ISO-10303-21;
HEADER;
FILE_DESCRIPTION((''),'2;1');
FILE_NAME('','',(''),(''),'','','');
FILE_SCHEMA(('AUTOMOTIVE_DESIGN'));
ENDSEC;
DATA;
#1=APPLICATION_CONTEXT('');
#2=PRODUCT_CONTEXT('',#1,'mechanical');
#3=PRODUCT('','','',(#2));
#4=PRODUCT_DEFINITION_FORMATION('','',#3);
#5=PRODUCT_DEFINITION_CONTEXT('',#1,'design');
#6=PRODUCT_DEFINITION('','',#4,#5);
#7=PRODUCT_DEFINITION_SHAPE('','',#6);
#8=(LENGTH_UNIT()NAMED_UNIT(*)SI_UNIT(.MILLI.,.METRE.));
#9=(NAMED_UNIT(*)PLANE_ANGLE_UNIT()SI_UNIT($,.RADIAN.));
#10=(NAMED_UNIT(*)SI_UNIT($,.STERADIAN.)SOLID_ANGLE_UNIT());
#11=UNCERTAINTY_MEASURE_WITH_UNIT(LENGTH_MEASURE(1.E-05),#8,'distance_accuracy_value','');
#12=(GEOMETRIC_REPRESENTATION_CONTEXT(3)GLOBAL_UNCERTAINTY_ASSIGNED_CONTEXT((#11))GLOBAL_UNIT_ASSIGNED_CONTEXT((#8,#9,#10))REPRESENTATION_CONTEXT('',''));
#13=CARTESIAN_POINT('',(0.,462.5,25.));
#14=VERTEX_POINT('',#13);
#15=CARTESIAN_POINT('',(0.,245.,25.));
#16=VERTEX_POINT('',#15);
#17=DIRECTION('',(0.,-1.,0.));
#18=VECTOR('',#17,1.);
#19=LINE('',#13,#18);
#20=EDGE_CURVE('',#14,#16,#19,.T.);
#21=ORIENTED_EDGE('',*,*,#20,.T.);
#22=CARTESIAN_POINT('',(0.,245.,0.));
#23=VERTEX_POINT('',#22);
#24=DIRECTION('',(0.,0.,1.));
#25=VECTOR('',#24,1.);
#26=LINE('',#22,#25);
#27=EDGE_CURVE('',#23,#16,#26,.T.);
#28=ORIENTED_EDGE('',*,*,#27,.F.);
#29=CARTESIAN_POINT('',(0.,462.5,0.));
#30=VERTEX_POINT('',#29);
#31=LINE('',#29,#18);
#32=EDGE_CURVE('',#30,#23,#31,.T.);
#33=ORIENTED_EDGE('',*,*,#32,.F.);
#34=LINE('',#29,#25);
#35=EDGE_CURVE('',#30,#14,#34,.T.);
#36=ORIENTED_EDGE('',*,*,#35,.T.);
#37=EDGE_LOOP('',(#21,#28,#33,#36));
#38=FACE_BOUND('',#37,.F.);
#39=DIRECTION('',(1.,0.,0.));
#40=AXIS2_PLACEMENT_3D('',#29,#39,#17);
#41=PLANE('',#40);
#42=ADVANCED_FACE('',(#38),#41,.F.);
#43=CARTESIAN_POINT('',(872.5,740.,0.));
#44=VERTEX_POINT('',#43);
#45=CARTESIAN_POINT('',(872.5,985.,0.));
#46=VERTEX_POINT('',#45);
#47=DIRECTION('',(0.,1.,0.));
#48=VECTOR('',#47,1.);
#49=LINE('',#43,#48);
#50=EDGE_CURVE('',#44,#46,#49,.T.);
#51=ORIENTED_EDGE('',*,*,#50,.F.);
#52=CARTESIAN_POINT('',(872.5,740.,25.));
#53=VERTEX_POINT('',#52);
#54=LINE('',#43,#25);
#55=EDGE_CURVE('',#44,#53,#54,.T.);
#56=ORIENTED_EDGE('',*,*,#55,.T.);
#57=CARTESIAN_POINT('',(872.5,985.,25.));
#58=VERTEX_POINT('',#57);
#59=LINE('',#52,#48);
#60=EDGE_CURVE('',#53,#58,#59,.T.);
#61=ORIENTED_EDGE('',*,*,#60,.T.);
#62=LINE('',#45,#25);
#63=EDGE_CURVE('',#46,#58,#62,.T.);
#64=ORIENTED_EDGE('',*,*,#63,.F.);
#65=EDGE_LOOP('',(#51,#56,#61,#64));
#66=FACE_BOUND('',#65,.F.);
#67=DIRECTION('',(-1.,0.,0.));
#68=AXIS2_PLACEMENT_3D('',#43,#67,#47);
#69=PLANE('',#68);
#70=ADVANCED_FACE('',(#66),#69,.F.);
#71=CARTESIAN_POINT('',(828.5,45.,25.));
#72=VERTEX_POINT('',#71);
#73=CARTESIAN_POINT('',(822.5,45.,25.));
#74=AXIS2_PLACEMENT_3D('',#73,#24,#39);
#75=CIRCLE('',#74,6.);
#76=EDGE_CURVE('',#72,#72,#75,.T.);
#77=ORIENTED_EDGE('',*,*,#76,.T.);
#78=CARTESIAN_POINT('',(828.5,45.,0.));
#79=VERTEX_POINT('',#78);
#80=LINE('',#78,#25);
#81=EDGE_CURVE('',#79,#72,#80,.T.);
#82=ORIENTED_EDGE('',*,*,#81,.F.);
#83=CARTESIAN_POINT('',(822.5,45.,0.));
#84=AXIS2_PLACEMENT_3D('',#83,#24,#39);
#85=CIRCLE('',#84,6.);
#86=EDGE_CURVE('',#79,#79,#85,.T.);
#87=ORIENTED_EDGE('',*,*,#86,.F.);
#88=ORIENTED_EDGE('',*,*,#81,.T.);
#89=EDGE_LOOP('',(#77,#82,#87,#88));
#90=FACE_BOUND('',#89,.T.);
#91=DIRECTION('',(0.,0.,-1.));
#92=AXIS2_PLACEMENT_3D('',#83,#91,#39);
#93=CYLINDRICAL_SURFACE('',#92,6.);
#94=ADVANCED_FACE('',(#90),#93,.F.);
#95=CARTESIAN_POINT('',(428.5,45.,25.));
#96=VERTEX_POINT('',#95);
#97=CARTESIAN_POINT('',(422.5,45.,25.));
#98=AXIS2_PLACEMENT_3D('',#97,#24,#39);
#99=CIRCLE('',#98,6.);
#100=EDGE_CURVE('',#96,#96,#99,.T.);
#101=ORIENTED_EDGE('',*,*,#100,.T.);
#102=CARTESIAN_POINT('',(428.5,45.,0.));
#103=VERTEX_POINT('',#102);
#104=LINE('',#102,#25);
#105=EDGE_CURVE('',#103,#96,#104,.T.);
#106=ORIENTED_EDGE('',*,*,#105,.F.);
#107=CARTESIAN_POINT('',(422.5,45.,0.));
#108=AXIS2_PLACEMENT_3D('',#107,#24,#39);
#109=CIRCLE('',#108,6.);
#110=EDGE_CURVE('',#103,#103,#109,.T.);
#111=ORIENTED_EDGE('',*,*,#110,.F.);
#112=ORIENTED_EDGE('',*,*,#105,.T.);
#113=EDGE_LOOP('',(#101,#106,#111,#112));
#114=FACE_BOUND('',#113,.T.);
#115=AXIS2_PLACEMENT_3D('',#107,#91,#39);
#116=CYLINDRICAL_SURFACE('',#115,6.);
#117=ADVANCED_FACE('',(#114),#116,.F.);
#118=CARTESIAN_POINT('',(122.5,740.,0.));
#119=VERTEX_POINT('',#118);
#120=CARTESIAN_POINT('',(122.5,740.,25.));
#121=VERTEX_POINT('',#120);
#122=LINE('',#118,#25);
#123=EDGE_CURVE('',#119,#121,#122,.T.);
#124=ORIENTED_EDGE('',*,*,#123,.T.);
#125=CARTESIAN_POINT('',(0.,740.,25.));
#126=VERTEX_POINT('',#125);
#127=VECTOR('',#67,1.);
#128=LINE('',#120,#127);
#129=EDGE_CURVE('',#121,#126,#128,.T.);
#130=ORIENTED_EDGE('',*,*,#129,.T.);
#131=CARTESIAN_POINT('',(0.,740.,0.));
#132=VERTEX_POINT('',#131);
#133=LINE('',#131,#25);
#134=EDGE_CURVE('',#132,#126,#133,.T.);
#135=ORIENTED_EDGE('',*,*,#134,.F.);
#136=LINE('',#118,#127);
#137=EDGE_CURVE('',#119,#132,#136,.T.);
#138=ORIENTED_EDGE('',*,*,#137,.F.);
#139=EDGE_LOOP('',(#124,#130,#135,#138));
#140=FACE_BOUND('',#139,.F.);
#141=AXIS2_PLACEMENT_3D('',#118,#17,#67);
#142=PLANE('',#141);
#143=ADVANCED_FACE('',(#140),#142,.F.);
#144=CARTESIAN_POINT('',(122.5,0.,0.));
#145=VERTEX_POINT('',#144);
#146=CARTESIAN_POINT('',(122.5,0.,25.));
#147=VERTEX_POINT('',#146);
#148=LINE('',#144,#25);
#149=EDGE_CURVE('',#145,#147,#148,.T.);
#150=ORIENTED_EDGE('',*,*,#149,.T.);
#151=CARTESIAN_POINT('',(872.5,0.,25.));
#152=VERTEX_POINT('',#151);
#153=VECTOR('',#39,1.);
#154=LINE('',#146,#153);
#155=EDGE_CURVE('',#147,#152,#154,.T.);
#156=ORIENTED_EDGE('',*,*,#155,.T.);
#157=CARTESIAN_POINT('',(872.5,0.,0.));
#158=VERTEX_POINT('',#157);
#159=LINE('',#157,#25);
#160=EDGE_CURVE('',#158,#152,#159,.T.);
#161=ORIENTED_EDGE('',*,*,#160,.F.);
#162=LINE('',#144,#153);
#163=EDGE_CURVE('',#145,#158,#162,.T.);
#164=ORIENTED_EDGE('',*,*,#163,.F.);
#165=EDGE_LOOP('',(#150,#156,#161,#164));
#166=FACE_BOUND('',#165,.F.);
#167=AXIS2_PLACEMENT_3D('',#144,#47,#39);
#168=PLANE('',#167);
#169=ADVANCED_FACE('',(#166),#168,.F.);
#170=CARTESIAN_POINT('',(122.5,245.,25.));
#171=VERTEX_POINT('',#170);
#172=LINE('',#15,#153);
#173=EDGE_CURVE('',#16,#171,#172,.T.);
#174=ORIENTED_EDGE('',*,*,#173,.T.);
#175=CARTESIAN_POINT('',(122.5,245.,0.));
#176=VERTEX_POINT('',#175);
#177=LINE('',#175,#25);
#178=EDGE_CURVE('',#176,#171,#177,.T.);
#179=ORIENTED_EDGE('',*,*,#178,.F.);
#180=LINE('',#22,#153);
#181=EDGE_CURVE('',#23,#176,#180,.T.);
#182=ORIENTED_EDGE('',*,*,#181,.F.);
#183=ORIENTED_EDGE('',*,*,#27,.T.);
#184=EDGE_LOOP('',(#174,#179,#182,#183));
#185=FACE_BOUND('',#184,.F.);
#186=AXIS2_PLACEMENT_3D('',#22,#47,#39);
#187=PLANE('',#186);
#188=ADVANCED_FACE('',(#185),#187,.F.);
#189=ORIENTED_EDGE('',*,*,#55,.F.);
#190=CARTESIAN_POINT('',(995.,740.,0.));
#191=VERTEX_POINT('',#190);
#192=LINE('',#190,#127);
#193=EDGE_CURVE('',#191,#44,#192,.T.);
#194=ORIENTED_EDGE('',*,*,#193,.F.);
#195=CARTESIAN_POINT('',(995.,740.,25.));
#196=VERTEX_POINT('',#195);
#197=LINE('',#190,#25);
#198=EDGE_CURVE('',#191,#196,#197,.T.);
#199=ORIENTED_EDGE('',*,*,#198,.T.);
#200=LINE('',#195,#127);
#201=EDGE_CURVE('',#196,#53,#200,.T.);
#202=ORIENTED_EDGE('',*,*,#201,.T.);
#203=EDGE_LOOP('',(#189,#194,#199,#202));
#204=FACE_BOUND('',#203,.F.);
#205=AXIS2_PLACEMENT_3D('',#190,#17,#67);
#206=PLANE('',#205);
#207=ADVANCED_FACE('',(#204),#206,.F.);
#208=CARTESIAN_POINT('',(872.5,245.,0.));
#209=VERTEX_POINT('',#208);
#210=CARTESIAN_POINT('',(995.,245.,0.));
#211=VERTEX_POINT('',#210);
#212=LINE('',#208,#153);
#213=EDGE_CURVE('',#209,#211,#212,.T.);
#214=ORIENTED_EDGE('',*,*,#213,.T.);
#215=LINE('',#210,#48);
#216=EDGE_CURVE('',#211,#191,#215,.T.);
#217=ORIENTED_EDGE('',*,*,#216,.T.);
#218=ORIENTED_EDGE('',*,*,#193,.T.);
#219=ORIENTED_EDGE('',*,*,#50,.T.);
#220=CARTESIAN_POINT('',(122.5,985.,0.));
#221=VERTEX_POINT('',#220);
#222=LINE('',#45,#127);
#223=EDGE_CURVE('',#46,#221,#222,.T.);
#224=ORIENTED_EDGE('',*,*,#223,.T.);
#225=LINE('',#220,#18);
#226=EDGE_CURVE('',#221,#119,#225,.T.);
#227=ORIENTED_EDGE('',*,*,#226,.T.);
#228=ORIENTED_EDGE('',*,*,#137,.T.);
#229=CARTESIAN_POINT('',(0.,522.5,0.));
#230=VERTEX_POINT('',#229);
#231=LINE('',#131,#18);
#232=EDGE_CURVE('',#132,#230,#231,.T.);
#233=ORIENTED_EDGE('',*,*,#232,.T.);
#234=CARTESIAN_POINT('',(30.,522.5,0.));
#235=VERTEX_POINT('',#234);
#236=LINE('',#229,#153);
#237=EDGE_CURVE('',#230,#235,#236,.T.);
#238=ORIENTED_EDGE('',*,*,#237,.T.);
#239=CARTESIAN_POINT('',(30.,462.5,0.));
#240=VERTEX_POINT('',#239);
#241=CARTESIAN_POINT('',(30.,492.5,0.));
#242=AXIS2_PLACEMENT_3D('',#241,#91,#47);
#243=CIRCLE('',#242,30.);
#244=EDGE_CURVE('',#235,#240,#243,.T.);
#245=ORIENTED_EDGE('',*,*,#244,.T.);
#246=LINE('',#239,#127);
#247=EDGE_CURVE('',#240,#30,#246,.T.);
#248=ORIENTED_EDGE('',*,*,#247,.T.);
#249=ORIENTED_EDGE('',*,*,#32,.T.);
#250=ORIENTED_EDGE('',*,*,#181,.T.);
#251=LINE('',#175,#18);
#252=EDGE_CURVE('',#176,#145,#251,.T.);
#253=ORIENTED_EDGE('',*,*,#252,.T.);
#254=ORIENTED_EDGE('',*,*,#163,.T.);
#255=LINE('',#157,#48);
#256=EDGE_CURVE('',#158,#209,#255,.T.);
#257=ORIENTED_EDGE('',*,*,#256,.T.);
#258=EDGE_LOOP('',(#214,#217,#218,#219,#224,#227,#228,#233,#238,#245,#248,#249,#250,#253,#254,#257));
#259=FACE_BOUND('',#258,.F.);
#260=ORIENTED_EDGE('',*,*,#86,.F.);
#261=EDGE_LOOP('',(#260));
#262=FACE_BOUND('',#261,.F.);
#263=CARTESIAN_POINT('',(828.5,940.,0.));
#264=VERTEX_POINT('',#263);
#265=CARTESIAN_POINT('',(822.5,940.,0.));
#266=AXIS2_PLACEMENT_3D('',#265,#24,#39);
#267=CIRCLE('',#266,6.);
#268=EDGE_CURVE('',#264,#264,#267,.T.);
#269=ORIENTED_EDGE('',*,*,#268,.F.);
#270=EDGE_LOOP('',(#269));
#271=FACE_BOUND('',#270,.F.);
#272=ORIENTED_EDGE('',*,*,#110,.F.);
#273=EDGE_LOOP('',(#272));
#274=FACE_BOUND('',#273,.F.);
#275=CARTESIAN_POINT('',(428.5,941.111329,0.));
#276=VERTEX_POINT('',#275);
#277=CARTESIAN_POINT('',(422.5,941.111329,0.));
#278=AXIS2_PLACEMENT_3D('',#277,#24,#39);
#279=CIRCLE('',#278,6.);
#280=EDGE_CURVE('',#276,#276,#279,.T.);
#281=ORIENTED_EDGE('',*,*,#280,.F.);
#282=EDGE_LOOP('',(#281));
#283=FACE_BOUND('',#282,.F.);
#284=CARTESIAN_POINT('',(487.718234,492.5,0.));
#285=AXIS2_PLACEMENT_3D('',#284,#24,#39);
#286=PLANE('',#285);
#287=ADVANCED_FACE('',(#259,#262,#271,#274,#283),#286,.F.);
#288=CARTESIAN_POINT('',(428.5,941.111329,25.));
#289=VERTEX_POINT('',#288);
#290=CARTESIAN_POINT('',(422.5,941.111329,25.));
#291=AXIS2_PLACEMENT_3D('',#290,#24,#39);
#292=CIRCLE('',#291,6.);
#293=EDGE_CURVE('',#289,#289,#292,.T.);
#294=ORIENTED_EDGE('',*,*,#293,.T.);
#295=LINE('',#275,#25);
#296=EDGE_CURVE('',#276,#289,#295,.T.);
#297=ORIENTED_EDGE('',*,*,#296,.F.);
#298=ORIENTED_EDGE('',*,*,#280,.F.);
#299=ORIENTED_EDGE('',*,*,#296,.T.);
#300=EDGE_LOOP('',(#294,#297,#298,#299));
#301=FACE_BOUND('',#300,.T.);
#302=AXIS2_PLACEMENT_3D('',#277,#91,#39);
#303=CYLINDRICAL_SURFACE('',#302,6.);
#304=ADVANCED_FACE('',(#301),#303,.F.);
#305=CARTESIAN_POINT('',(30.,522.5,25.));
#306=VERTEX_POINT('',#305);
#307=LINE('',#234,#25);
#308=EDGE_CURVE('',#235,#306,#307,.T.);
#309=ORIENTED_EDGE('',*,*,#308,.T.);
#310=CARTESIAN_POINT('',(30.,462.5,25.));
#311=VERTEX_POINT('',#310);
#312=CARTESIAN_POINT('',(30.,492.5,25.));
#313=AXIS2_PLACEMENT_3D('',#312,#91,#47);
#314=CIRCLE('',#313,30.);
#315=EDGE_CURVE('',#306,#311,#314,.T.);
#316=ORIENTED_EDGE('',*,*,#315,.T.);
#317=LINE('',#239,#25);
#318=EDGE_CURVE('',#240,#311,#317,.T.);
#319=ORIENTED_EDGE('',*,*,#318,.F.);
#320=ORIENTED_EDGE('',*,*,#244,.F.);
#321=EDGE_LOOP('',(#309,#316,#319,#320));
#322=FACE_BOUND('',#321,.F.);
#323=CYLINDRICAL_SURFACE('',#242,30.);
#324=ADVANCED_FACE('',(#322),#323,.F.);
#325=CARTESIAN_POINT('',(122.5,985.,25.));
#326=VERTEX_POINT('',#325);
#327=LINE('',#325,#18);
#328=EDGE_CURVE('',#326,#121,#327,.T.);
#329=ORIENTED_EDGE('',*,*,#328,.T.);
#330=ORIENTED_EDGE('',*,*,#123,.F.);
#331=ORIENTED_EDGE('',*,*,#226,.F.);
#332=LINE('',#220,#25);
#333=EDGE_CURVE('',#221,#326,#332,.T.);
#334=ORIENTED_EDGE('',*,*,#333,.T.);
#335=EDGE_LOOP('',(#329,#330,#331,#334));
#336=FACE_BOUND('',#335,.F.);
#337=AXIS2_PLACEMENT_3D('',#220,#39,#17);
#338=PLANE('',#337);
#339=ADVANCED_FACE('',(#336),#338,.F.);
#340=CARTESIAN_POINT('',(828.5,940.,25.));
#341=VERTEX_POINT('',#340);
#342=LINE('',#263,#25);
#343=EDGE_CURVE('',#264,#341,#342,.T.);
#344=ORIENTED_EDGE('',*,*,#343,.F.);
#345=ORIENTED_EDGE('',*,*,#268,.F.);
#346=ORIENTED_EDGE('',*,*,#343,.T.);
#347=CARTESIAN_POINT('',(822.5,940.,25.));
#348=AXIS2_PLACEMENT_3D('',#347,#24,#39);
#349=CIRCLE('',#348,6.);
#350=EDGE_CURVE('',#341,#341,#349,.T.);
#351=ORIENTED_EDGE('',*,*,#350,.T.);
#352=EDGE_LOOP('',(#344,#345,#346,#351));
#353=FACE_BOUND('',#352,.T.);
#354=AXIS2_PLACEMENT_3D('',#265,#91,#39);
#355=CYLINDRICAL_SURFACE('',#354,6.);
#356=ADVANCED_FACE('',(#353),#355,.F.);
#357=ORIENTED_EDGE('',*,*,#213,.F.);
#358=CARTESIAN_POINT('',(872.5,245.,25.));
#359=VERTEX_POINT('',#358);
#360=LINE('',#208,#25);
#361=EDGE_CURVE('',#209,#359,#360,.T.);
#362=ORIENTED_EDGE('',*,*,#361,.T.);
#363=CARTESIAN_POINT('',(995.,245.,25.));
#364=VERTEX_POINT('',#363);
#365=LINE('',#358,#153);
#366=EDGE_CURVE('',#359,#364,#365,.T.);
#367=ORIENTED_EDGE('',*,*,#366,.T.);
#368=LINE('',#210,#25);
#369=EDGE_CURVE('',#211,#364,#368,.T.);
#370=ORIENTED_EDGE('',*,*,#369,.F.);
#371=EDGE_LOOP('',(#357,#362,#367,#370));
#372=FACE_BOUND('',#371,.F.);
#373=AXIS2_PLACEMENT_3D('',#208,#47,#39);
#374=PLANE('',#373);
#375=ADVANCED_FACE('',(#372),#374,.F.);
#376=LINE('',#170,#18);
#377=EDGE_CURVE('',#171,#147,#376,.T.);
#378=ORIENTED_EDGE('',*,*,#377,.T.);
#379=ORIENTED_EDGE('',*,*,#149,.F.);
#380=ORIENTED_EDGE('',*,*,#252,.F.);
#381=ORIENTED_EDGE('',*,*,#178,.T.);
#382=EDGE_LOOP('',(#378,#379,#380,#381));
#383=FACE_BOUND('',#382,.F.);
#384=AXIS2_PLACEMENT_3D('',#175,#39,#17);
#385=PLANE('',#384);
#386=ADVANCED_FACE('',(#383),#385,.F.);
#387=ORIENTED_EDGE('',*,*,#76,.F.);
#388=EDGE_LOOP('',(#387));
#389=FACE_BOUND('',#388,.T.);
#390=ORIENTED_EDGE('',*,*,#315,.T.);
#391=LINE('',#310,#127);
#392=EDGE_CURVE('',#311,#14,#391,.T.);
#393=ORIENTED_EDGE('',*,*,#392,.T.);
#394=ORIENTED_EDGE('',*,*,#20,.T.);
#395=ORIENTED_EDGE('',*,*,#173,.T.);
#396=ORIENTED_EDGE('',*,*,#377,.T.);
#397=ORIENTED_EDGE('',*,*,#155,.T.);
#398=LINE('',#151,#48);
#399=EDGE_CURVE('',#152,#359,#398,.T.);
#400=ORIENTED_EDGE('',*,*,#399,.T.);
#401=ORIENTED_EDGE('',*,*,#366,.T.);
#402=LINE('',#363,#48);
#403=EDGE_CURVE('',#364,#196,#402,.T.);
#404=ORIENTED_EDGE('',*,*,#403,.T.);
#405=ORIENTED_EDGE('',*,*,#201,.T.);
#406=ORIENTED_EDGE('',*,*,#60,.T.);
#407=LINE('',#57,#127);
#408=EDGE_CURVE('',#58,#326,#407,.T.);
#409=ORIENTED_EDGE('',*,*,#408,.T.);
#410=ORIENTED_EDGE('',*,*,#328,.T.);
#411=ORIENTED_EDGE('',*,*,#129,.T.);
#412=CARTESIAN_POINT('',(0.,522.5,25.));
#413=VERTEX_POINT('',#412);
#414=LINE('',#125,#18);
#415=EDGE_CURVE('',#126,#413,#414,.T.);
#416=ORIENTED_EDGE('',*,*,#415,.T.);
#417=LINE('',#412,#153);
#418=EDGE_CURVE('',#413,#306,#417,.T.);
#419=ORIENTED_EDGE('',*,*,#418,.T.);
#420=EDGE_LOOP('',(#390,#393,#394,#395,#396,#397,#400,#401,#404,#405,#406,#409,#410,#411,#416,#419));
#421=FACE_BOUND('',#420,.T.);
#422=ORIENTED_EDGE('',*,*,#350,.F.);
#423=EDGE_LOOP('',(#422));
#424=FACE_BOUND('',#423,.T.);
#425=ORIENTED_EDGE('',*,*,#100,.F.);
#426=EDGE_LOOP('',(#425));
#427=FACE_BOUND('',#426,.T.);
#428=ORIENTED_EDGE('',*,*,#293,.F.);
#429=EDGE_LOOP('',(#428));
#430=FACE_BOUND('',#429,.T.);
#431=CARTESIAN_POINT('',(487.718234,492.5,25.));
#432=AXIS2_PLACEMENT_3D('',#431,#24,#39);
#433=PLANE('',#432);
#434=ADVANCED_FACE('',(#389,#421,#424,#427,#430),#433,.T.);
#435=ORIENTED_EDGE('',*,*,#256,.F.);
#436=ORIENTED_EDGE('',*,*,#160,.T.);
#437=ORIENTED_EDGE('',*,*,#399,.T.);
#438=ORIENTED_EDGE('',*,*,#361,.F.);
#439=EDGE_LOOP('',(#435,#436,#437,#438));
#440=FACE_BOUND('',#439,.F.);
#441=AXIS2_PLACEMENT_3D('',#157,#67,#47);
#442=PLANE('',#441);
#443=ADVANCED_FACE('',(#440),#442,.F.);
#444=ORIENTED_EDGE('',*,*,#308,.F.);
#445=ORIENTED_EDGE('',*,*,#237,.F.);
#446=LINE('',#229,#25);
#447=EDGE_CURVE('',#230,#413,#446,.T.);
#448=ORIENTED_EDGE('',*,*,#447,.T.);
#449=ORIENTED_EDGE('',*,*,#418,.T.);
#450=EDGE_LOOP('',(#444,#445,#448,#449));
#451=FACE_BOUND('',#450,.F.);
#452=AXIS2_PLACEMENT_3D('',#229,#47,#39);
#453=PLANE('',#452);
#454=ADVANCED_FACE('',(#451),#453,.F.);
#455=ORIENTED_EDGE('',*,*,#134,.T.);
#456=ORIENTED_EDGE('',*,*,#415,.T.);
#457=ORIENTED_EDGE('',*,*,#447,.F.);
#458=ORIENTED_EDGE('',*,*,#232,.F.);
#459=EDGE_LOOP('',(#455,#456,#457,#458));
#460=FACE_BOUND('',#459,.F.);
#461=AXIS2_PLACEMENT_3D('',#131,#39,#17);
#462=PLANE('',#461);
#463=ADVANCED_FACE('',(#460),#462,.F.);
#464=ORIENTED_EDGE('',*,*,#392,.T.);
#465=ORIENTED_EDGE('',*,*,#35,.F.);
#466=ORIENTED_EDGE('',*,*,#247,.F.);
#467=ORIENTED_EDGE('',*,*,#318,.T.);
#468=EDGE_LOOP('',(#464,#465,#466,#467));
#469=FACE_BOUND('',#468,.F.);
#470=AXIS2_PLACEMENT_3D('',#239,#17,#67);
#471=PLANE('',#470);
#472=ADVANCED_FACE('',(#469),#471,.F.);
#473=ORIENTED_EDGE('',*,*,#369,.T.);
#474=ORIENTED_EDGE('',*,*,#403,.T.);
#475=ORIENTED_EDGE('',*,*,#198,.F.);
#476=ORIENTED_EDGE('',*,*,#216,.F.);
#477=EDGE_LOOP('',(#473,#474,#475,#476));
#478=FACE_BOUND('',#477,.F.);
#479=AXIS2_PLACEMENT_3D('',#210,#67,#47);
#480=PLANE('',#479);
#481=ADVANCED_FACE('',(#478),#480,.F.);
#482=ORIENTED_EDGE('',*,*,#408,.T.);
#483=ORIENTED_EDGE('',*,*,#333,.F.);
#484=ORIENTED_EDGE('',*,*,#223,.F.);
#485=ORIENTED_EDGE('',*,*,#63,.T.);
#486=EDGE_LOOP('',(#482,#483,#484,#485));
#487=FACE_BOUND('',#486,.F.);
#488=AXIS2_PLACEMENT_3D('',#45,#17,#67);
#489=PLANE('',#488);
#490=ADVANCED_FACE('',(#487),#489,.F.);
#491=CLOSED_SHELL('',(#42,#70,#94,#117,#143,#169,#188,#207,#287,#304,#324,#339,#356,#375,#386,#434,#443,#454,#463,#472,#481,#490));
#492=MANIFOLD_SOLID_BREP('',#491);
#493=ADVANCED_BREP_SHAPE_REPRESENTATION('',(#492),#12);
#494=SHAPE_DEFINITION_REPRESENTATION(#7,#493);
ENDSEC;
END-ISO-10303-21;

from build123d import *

# Parameters (mm, degrees)
F0_R     = 6
F1_DEPTH = 25


with BuildPart() as f1:
    # F0 (on Top) → F1 (new body)
    with BuildSketch(Plane.XY):
        with BuildLine():
            Line((122.5, 245), (122.5, 0))
            Line((122.5, 0), (872.5, 0))
            Line((872.5, 0), (872.5, 245))
            Line((872.5, 245), (995, 245))
            Line((995, 245), (995, 740))
            Line((995, 740), (872.5, 740))
            Line((872.5, 740), (872.5, 985))
            Line((872.5, 985), (122.5, 985))
            Line((122.5, 985), (122.5, 740))
            Line((122.5, 740), (0, 740))
            Line((0, 740), (0, 522.5))
            Line((0, 522.5), (30, 522.5))
            ThreePointArc((30, 522.5), (60, 492.5), (30, 462.5))
            Line((30, 462.5), (0, 462.5))
            Line((0, 462.5), (0, 245))
            Line((0, 245), (122.5, 245))
        make_face()
        with Locations((422.5, 45)):
            Circle(F0_R, mode=Mode.SUBTRACT)
        with Locations((822.5, 45)):
            Circle(F0_R, mode=Mode.SUBTRACT)
        with Locations((422.5, 941.111329)):
            Circle(F0_R, mode=Mode.SUBTRACT)
        with Locations((822.5, 940)):
            Circle(F0_R, mode=Mode.SUBTRACT)
    extrude(amount=F1_DEPTH)


solid = f1.part
